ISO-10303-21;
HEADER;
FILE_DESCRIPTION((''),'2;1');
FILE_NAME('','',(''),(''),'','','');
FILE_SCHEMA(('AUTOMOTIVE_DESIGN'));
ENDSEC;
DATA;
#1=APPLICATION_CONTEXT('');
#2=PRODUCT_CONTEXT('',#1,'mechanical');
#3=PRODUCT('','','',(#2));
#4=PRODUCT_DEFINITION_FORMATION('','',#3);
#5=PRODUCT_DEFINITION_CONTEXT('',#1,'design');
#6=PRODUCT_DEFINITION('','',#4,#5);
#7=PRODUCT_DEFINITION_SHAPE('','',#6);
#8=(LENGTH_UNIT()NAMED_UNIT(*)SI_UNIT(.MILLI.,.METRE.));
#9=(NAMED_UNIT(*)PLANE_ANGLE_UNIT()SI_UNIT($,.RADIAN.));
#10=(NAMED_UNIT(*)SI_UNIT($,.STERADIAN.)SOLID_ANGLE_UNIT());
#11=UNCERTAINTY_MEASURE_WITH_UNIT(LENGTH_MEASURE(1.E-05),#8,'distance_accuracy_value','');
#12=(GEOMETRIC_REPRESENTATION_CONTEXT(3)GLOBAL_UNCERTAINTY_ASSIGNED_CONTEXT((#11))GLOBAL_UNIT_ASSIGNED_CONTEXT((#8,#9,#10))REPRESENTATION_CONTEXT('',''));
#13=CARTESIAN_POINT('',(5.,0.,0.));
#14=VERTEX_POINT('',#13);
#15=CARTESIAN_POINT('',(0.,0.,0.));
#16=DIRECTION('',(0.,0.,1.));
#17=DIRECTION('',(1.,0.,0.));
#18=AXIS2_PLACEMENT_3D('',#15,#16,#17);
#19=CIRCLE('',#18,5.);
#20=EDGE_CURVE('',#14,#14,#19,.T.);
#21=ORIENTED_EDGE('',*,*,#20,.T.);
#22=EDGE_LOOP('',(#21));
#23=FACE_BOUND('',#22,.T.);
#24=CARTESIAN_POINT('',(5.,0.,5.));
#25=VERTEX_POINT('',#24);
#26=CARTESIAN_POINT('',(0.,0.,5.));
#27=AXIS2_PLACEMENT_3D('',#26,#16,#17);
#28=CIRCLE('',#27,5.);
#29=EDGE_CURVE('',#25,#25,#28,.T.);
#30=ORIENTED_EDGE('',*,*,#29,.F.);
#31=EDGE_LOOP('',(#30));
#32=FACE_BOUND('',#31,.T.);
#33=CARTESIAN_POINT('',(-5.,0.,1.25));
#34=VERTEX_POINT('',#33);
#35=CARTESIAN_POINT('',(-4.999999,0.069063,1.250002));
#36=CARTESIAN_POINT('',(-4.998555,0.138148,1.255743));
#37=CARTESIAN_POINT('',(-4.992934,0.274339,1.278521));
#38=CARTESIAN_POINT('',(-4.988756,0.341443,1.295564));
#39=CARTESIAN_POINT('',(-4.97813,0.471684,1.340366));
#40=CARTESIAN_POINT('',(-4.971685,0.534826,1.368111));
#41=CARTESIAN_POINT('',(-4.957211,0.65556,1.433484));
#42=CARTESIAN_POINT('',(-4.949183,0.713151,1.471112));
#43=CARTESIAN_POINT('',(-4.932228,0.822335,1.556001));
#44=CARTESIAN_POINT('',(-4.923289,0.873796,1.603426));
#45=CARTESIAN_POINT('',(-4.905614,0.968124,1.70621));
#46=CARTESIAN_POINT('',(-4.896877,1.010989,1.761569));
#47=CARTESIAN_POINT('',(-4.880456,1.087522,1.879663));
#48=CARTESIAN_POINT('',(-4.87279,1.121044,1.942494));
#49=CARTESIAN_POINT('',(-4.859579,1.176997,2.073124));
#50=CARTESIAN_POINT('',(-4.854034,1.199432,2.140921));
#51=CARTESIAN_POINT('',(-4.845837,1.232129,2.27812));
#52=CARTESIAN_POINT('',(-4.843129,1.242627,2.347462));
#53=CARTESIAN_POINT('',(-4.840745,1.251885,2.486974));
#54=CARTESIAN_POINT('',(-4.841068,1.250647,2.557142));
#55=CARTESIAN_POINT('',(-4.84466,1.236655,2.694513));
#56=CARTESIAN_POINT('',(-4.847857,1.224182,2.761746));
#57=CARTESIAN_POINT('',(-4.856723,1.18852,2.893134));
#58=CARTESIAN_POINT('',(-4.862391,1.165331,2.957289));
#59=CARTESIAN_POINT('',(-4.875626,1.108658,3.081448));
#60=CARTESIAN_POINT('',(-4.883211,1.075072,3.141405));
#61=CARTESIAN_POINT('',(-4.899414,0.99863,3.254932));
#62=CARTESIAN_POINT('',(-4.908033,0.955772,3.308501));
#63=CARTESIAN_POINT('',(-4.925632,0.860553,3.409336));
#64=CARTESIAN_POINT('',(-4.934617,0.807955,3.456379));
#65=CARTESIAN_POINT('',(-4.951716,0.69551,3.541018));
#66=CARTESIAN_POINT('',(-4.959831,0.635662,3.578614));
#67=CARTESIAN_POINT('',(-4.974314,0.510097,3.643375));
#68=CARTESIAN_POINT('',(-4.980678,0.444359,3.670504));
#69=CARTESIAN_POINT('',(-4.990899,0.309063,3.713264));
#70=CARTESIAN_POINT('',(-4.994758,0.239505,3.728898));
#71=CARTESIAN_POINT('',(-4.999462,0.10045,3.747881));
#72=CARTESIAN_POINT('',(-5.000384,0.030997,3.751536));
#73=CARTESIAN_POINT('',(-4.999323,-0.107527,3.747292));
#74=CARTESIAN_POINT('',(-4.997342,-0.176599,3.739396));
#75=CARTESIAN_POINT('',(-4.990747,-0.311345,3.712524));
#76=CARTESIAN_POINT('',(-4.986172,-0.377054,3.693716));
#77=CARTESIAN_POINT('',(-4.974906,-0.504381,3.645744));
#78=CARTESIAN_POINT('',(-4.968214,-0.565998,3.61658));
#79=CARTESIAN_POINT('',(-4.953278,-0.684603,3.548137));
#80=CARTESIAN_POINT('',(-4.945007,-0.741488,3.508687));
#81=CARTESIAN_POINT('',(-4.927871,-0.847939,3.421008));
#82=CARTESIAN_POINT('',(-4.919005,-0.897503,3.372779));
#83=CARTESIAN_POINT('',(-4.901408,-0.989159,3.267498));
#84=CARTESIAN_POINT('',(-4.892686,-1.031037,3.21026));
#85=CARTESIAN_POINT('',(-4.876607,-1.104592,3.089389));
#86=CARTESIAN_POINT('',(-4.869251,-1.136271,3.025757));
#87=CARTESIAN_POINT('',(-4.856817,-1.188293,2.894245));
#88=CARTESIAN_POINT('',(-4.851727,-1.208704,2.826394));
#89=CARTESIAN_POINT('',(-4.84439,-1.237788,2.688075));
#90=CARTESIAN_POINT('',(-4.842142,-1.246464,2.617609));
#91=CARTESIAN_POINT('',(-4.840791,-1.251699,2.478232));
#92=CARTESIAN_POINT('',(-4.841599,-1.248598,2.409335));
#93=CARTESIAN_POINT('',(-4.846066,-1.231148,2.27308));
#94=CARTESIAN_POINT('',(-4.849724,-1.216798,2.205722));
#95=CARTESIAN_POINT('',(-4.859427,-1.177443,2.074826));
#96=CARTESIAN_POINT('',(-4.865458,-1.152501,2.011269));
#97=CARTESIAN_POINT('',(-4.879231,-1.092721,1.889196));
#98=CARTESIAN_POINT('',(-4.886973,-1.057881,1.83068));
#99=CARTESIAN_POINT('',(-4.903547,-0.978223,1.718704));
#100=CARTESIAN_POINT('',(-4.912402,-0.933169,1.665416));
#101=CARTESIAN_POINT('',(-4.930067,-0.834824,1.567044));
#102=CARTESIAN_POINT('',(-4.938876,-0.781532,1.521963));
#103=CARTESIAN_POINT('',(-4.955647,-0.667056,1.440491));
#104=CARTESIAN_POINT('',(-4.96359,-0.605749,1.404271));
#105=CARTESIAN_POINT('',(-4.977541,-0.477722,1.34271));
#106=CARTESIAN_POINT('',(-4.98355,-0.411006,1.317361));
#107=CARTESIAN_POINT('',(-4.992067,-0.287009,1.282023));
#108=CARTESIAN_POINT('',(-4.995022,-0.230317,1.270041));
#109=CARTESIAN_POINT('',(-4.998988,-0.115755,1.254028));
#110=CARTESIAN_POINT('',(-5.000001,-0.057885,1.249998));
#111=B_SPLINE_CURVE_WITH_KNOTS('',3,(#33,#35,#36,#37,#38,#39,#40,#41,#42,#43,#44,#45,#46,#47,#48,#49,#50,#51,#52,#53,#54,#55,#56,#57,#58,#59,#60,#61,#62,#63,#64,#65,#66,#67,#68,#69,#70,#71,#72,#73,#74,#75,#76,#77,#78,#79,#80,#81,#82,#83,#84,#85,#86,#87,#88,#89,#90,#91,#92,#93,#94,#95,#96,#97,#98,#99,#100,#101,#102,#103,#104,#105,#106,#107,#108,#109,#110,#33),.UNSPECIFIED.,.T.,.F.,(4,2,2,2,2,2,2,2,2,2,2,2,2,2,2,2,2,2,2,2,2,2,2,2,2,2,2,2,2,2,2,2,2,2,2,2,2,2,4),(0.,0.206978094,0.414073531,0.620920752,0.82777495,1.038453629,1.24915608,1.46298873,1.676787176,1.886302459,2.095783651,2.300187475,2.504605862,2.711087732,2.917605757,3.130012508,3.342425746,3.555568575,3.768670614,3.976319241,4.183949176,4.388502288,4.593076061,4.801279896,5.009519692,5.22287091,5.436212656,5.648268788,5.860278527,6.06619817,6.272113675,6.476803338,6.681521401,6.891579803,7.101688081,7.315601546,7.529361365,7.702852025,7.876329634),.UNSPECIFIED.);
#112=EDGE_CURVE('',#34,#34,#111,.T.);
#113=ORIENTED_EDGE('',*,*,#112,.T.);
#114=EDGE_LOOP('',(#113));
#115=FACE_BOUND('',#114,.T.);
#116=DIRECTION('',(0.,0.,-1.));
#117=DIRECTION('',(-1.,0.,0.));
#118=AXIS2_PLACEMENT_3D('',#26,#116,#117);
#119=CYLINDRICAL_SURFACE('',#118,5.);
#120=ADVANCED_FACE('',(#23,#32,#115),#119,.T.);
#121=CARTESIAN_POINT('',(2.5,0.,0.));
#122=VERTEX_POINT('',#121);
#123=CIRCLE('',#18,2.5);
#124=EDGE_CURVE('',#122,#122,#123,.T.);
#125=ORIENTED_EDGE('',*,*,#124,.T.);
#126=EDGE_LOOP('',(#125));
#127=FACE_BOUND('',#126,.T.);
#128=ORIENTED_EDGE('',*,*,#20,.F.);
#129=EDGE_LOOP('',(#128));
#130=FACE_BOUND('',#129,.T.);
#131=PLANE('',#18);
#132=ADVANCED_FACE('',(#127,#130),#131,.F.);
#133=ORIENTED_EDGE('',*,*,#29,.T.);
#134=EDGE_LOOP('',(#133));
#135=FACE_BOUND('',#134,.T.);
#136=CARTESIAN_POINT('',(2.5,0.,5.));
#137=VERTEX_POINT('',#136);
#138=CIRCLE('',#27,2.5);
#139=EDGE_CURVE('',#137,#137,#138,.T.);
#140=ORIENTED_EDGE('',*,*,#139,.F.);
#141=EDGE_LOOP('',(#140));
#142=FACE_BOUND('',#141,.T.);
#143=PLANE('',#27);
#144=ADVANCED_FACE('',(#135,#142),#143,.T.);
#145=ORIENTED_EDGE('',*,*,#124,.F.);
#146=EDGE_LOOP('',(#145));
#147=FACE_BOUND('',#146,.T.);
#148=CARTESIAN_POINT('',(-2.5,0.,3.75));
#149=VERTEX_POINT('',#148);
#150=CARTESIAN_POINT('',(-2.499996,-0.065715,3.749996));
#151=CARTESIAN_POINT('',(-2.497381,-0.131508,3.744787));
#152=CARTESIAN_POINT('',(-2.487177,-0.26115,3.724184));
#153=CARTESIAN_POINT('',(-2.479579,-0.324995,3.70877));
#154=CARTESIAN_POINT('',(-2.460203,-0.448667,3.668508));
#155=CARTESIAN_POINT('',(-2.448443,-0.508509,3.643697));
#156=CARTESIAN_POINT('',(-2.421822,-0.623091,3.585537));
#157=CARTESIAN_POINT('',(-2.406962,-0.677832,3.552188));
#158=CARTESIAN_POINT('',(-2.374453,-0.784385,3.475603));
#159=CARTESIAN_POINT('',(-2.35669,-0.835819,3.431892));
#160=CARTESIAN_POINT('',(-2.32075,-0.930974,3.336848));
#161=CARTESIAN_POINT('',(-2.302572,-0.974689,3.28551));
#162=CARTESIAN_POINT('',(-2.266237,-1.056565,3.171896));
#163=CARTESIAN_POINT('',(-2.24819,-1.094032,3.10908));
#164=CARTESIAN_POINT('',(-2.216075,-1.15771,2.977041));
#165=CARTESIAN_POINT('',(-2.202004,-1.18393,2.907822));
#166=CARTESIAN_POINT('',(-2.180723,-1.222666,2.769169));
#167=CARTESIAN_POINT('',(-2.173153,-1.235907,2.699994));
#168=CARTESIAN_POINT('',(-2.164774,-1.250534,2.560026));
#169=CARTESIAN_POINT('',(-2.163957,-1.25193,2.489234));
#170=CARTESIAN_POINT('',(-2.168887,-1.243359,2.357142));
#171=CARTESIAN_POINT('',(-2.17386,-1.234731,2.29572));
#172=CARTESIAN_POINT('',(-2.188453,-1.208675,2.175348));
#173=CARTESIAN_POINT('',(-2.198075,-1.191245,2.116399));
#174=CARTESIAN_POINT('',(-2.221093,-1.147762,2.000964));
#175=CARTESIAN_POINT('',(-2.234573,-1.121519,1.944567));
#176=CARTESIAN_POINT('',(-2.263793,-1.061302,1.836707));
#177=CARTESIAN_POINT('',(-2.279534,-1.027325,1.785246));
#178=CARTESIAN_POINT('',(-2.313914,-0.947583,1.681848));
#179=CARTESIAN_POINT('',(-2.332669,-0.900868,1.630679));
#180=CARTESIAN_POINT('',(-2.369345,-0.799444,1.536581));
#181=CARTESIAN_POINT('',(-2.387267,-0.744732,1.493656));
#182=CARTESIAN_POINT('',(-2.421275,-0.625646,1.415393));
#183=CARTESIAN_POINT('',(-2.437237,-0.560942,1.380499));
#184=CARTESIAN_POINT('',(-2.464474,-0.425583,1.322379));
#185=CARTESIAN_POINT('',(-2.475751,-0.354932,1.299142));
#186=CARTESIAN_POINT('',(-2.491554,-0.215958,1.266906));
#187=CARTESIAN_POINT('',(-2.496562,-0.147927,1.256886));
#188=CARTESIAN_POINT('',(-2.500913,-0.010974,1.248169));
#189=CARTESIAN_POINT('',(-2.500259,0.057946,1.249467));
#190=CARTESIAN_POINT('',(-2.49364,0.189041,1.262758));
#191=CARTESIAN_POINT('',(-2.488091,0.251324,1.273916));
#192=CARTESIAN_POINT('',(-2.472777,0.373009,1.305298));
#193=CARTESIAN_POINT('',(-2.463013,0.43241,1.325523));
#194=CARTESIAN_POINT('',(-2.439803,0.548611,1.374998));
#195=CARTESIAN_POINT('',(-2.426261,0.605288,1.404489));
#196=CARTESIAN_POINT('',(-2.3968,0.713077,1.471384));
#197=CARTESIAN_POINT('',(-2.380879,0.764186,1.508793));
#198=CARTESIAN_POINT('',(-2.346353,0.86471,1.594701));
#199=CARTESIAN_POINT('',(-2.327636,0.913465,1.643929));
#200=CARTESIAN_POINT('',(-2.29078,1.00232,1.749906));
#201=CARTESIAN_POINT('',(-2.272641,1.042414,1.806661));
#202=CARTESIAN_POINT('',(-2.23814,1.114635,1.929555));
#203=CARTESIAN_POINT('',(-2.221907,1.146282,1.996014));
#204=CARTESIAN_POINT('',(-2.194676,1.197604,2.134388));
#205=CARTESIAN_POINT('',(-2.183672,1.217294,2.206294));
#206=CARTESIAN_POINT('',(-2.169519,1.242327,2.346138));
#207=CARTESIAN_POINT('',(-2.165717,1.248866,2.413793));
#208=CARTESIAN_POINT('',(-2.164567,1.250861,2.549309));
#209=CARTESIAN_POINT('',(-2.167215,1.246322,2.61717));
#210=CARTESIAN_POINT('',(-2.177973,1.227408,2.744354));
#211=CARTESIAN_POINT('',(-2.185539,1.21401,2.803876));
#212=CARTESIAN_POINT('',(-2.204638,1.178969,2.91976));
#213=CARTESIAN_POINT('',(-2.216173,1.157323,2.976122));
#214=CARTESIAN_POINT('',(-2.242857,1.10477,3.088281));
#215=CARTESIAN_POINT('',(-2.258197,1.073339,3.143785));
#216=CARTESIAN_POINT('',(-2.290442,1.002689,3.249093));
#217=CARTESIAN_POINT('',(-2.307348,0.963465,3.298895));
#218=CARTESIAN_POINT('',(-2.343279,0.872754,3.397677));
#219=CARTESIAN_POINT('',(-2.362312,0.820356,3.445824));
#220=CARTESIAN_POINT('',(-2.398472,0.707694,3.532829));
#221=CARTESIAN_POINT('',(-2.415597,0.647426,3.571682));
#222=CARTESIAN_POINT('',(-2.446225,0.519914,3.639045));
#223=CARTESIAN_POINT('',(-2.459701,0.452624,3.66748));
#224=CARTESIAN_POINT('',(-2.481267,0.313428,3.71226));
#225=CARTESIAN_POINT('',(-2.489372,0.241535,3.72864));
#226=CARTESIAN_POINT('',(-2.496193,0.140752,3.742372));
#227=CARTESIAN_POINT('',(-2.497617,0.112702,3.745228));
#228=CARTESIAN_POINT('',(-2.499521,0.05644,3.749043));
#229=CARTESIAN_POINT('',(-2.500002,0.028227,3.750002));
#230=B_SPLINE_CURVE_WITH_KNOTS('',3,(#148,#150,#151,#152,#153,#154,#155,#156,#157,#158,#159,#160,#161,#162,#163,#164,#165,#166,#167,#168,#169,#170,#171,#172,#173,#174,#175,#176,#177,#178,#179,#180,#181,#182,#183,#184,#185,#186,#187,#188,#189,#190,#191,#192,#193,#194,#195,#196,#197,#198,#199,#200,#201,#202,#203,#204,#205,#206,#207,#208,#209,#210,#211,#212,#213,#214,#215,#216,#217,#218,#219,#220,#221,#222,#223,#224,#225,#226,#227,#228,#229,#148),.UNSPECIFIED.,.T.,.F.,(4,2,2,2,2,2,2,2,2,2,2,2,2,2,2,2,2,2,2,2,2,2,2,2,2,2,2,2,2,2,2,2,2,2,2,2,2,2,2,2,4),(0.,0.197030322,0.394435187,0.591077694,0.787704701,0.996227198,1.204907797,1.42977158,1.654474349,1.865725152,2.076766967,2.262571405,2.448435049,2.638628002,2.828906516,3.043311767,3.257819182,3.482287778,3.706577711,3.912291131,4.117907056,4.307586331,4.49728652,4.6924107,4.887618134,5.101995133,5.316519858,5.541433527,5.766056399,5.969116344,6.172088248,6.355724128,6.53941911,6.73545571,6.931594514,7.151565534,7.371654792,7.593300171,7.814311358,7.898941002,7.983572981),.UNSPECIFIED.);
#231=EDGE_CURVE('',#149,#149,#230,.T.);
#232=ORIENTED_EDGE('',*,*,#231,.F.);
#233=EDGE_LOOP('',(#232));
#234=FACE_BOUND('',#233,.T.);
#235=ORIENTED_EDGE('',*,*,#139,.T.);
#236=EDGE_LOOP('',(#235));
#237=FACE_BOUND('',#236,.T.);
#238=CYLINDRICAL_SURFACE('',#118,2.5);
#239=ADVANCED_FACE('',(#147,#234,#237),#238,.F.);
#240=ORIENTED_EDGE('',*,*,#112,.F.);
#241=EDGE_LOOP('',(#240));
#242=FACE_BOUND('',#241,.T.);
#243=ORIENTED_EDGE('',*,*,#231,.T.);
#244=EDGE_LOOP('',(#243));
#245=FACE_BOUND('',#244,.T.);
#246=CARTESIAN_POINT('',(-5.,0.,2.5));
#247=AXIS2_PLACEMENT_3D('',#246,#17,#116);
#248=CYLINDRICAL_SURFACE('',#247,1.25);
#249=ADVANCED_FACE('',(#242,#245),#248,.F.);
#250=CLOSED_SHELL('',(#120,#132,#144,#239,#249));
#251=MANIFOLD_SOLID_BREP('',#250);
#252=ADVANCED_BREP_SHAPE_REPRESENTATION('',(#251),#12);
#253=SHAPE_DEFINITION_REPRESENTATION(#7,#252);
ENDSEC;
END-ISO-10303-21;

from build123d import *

# Parameters (mm, degrees)
SKETCH1_R           = 5
SKETCH1_R_2         = 2.5
BOSS_EXTRUDE1_DEPTH = 5
SKETCH2_R           = 1.25
CUT_EXTRUDE1_DEPTH  = 6


with BuildPart() as part:
    # Sketch1 → Boss-Extrude1 (new body)
    with BuildSketch(Plane.XY):
        Circle(SKETCH1_R)
        Circle(SKETCH1_R_2, mode=Mode.SUBTRACT)
    extrude(amount=BOSS_EXTRUDE1_DEPTH)

    # Sketch2 → Cut-Extrude1 (cut, through all)
    with BuildSketch(Plane(origin=(0, 0, 0), x_dir=(0, 0, -1), z_dir=(1, 0, 0))):
        with Locations((-2.5, 0)):
            Circle(SKETCH2_R)
    extrude(amount=-CUT_EXTRUDE1_DEPTH, mode=Mode.SUBTRACT)


solid = part.part
